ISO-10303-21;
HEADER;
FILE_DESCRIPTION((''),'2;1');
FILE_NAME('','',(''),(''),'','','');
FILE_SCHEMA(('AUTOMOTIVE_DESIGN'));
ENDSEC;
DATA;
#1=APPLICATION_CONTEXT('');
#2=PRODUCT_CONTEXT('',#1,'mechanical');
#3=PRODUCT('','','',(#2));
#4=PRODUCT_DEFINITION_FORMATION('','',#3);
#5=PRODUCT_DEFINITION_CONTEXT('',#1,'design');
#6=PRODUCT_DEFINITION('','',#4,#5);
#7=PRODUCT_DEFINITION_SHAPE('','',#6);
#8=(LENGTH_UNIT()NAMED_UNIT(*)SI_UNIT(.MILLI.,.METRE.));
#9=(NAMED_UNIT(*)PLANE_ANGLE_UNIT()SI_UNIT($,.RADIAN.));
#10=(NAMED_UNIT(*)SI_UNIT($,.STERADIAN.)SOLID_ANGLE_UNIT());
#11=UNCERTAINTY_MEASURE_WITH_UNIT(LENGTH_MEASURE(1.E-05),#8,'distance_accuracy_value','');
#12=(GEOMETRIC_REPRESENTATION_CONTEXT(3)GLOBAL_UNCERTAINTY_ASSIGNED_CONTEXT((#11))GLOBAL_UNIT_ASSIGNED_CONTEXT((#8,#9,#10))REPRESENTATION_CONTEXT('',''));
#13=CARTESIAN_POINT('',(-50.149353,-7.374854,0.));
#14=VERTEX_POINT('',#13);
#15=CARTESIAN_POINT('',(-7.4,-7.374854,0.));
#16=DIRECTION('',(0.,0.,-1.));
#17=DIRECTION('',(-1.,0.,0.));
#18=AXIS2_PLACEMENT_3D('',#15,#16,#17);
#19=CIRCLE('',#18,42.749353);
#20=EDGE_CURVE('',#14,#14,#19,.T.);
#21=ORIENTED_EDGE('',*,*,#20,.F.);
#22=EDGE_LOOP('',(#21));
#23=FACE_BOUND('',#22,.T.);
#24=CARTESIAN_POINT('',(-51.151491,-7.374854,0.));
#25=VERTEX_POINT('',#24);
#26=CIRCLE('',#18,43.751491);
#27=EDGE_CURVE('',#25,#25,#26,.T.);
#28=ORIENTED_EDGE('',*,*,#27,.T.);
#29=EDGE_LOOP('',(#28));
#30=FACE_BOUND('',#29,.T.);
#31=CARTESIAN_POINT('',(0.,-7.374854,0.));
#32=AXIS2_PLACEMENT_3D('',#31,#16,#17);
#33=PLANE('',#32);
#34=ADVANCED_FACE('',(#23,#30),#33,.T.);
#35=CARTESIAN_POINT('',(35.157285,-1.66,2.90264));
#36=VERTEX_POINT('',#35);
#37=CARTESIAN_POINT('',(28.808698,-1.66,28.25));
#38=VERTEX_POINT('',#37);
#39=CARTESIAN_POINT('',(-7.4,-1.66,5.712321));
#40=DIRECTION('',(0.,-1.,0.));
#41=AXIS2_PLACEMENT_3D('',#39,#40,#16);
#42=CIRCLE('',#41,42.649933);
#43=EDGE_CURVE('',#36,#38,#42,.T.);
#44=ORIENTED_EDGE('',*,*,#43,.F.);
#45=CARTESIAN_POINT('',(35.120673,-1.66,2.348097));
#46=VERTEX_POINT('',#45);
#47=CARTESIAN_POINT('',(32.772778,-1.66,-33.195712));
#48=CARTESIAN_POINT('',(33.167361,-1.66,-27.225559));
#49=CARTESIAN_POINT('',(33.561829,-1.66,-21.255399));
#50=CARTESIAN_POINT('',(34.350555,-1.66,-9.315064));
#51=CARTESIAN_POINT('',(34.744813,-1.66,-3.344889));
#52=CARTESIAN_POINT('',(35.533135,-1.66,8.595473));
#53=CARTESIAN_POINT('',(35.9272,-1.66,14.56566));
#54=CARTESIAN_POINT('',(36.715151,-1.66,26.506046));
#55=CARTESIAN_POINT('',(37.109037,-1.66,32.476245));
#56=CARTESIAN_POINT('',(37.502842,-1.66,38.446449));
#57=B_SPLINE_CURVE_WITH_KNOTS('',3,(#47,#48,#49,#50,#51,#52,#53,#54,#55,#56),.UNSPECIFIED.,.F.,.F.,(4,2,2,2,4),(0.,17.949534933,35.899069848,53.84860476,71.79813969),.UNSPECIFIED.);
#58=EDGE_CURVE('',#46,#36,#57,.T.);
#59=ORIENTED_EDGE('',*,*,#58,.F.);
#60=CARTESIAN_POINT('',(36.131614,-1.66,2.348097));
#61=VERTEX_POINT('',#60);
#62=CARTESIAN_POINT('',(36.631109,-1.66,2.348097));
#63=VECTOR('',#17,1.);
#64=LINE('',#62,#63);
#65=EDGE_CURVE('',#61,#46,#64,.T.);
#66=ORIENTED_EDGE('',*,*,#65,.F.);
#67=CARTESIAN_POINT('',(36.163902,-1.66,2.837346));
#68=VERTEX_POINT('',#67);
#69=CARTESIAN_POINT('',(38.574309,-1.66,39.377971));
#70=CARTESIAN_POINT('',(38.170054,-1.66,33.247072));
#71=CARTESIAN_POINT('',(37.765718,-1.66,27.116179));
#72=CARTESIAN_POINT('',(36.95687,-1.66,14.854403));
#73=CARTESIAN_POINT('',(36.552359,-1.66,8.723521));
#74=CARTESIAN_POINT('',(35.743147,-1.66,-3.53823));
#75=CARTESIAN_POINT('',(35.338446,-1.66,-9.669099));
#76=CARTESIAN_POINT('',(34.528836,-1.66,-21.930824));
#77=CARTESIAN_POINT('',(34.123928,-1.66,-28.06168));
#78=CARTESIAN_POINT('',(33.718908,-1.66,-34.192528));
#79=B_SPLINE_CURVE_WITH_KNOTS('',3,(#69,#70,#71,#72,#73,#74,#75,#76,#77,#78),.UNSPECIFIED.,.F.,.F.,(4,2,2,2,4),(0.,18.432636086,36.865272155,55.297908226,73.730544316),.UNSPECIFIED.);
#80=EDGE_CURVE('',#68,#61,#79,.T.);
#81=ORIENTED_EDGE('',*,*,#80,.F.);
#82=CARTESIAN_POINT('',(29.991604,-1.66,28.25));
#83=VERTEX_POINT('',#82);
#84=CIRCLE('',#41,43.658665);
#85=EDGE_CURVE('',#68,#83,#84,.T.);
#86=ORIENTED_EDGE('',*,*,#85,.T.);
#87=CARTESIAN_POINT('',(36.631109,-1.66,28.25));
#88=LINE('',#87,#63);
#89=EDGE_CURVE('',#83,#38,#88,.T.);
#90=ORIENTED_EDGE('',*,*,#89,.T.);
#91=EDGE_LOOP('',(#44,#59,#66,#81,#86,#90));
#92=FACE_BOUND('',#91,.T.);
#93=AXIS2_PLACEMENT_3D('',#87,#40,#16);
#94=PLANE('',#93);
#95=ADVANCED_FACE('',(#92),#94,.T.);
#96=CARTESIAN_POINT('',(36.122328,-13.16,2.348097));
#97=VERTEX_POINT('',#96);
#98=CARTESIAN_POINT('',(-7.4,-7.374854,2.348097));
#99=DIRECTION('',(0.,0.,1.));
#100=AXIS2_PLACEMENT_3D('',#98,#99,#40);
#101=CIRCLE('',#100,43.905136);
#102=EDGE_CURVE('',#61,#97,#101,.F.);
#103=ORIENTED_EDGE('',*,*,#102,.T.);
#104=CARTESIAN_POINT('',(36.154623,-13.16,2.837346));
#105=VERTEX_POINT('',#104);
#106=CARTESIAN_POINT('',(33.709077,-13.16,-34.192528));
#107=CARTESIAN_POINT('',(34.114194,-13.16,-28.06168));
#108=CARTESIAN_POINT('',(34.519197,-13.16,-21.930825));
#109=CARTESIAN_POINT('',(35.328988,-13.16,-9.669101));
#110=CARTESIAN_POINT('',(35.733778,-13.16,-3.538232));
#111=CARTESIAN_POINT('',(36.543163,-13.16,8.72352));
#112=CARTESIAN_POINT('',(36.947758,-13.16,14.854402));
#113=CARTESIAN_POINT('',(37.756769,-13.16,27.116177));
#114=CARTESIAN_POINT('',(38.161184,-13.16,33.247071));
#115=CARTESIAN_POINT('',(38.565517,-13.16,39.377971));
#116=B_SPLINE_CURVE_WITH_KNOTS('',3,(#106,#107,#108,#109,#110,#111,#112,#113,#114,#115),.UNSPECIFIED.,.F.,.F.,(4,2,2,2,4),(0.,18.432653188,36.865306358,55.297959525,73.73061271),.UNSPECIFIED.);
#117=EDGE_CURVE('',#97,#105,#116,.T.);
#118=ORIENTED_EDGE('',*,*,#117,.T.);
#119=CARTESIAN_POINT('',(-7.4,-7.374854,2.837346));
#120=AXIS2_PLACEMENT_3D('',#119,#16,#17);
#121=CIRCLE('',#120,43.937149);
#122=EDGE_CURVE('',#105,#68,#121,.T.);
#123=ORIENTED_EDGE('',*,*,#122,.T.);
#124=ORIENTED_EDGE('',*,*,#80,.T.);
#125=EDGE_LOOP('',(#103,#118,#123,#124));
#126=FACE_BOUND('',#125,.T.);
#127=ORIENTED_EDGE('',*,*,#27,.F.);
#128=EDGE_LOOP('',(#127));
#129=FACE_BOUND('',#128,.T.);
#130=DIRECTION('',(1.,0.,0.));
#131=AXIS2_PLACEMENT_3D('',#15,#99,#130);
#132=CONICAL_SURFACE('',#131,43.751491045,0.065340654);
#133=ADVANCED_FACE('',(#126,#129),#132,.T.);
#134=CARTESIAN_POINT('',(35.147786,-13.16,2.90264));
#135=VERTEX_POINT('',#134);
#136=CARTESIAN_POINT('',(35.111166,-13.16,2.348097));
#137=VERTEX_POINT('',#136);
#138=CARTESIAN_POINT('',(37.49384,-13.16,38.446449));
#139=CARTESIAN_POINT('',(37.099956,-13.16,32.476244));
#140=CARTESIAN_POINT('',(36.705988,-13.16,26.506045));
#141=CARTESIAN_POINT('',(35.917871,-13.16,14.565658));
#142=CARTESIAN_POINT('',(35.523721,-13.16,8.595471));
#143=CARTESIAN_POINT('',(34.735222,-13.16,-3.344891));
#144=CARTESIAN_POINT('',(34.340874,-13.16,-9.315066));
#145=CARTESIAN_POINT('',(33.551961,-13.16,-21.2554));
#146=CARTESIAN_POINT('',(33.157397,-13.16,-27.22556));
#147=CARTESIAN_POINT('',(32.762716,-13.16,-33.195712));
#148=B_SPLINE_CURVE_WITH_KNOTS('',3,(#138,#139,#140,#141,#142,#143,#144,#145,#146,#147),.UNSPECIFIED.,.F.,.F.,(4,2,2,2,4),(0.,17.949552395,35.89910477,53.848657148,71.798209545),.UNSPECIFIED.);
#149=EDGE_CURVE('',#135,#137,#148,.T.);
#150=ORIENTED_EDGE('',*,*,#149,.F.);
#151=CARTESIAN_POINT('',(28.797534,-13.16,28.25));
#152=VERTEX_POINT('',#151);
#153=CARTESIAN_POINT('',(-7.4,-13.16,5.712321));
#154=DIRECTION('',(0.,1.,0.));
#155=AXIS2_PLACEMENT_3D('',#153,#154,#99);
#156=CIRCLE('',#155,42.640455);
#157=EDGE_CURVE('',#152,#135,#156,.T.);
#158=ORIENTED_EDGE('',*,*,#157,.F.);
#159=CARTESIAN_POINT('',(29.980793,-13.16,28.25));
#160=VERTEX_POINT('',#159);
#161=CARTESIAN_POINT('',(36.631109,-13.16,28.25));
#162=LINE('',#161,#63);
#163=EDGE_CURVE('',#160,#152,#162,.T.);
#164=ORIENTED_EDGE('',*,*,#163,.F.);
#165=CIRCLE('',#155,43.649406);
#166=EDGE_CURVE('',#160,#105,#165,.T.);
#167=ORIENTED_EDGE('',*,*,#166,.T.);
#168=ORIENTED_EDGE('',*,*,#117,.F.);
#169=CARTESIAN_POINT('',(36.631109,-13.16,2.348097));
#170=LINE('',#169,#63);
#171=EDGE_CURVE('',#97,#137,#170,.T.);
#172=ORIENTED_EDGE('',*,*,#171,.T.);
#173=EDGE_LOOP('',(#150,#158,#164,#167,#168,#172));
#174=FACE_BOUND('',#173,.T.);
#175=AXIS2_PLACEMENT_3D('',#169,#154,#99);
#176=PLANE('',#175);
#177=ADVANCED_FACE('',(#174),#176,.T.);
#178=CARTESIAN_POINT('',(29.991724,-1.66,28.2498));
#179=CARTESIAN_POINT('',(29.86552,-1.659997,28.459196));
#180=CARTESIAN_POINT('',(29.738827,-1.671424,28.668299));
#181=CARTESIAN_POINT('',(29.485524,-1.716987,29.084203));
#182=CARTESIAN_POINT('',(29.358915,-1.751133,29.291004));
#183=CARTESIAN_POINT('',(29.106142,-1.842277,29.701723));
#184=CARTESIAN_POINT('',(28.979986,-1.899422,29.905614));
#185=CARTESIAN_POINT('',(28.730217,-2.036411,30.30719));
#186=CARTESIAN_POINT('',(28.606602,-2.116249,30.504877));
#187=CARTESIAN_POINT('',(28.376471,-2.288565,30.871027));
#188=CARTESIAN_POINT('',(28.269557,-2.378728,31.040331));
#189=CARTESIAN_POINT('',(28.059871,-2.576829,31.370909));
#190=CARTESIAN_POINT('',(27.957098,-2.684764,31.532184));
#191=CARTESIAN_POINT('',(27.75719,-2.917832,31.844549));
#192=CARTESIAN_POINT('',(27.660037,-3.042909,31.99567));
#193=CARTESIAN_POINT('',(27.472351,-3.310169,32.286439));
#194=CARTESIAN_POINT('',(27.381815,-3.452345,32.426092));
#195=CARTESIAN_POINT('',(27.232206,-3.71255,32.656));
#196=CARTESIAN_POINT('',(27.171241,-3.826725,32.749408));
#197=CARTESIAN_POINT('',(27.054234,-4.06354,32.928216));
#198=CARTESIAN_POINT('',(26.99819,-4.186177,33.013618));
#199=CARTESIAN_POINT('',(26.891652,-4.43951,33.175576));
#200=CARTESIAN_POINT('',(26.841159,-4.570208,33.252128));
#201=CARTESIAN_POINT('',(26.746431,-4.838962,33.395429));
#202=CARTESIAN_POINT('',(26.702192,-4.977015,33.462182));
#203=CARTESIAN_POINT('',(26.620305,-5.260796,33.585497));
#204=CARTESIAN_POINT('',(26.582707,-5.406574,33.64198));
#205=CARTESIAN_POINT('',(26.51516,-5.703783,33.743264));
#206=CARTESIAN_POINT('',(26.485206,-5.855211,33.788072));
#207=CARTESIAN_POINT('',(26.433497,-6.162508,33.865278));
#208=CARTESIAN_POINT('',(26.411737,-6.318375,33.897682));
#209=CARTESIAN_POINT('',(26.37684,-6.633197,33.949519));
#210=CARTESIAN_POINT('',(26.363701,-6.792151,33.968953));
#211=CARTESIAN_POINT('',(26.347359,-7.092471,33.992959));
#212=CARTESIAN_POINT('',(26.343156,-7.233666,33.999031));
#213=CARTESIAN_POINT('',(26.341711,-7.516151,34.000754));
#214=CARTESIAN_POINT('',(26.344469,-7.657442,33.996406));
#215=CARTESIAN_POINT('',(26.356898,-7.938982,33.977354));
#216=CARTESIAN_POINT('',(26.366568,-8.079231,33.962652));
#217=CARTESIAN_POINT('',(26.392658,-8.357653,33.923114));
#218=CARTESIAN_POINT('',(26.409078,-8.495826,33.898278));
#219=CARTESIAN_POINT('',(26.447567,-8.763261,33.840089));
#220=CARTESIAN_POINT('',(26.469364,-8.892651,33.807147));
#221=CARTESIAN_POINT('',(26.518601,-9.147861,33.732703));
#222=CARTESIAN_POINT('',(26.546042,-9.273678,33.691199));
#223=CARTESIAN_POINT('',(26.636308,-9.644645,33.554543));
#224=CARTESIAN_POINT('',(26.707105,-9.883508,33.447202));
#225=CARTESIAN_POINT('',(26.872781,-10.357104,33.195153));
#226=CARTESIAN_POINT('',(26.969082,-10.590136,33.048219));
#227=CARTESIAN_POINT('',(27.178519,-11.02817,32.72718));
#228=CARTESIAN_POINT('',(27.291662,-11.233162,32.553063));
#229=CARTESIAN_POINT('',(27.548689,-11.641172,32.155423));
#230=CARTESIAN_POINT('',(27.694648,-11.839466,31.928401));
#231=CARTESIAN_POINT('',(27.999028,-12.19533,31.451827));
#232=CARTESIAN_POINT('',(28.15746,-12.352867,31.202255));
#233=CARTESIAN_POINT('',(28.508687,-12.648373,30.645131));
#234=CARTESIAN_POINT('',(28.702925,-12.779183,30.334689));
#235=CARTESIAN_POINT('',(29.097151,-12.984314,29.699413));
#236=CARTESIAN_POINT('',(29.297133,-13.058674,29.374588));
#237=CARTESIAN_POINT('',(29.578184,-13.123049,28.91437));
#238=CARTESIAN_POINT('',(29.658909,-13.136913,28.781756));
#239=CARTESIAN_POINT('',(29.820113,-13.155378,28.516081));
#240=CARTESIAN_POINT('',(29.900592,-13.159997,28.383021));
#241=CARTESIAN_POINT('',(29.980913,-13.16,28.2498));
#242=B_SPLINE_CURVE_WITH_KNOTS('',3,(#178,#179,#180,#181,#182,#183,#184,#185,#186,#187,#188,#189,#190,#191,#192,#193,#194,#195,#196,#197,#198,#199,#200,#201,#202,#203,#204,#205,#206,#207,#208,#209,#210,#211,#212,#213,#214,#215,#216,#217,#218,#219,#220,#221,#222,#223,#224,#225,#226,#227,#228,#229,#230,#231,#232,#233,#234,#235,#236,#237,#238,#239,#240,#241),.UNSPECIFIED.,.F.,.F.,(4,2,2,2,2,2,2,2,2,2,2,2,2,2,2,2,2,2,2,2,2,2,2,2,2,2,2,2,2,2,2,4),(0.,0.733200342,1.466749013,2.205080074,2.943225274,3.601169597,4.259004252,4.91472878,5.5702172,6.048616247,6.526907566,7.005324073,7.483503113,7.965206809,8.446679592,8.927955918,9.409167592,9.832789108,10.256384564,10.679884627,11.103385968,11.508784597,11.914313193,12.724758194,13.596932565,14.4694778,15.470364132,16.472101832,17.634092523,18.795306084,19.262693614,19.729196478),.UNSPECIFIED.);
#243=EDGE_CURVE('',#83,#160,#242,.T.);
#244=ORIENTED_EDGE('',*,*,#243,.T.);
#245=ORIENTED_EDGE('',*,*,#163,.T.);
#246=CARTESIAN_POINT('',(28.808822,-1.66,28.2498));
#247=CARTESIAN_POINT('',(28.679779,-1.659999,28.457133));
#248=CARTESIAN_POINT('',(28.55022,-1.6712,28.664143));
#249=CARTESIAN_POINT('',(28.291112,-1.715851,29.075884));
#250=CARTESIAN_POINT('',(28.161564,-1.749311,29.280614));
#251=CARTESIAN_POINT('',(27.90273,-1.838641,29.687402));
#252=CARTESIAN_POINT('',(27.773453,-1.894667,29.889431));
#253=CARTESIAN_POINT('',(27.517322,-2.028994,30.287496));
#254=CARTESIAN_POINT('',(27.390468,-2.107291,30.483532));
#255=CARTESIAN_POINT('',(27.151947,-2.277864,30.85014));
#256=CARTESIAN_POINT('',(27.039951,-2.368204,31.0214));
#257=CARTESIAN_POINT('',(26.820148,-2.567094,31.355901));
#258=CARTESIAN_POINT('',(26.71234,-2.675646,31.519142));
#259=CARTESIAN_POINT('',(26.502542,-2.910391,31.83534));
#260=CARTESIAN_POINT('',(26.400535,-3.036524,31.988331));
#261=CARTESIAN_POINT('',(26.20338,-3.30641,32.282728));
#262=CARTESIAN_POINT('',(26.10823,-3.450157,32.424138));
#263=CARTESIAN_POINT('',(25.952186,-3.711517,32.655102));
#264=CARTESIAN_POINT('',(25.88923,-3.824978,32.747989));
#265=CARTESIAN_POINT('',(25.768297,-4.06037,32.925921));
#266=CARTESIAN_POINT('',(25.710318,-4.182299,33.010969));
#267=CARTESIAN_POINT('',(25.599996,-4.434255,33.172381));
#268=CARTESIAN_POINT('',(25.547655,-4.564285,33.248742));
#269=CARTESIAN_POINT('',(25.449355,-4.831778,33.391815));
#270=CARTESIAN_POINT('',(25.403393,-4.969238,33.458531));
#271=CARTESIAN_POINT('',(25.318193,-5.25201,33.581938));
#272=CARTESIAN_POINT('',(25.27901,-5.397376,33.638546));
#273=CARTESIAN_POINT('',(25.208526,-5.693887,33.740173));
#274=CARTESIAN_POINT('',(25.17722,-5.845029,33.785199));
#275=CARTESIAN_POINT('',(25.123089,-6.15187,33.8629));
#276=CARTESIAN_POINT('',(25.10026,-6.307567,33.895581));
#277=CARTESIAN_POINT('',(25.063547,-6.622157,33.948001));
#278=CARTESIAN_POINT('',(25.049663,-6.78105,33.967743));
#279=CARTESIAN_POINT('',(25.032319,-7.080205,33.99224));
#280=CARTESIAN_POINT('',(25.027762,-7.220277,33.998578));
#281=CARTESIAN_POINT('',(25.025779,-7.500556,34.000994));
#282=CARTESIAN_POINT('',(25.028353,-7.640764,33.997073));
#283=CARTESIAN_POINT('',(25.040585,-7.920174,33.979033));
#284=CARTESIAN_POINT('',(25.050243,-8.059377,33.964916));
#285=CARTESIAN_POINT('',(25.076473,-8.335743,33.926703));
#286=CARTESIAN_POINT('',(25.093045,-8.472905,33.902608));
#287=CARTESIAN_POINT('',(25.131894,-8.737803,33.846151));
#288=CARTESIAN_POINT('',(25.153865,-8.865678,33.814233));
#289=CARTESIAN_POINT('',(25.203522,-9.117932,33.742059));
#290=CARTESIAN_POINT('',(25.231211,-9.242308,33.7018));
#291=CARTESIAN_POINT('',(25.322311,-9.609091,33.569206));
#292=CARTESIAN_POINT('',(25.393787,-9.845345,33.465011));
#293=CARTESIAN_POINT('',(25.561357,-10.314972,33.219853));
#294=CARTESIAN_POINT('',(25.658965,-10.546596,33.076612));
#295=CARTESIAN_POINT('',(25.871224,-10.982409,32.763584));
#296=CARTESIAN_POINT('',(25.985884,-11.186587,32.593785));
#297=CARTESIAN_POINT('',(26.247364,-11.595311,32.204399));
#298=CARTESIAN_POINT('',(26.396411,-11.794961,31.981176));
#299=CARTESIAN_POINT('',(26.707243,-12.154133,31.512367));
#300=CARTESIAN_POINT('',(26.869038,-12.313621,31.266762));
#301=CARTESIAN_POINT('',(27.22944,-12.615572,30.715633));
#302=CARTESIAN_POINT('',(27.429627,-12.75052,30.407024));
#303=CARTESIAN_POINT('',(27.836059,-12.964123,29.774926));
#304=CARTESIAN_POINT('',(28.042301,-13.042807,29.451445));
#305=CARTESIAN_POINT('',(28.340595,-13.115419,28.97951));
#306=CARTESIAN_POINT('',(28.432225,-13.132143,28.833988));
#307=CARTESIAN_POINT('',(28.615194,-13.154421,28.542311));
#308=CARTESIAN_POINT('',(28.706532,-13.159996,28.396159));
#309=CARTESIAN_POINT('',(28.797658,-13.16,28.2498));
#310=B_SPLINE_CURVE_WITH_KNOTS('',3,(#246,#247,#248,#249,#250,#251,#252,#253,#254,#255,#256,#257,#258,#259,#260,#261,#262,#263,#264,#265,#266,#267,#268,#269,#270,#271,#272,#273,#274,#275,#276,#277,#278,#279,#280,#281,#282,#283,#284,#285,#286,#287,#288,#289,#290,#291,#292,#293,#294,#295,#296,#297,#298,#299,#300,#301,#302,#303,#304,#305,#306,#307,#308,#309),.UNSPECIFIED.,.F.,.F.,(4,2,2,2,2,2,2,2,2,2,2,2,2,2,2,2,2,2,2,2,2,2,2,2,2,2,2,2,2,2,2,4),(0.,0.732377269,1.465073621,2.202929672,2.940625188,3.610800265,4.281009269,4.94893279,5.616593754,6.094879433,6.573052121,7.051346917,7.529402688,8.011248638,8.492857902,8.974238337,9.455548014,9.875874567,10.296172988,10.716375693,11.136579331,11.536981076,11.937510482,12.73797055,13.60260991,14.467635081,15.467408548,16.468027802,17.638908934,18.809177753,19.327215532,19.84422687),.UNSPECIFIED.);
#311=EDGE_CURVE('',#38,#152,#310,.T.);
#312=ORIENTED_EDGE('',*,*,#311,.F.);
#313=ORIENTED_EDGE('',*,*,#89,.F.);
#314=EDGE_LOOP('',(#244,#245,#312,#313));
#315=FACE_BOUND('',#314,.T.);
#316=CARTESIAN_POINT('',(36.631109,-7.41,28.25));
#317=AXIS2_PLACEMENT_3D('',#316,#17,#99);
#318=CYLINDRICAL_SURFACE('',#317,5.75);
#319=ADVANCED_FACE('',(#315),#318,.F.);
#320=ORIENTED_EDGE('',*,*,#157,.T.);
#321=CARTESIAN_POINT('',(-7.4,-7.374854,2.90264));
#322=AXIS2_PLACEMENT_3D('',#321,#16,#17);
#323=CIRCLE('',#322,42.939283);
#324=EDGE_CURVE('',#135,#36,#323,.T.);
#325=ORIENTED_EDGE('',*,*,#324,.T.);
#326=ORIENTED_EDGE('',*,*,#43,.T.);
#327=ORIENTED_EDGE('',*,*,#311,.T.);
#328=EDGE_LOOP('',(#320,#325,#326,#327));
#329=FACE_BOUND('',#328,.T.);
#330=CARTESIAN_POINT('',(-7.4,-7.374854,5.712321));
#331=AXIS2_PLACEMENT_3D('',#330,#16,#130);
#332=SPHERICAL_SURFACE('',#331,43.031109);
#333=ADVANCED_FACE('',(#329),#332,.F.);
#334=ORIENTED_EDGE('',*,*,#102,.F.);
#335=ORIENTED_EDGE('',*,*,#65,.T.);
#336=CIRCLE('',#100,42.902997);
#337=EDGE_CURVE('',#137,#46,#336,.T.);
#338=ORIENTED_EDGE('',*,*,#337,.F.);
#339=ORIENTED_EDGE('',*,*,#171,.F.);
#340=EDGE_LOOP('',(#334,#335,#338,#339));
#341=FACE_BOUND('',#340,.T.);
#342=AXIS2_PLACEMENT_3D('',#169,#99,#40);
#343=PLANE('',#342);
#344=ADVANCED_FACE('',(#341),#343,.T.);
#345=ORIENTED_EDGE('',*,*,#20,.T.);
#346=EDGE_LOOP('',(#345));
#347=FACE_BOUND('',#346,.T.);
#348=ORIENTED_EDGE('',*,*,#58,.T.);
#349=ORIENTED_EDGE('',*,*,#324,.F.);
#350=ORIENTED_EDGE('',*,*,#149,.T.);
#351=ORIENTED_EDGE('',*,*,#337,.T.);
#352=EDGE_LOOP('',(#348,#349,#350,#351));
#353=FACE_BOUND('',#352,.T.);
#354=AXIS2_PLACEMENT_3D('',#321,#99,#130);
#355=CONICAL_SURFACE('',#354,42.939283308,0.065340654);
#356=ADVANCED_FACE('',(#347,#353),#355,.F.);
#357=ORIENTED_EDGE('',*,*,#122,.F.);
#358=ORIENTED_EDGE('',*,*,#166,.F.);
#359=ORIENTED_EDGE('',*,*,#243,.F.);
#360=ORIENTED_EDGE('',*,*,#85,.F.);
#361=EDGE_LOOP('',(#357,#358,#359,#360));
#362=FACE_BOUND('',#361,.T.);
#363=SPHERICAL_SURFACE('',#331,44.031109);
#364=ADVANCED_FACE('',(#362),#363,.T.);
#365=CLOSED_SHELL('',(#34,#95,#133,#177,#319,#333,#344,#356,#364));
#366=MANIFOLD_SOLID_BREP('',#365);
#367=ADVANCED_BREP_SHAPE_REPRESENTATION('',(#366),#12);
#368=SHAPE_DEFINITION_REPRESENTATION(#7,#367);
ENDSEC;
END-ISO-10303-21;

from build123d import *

# Parameters (mm, degrees)
CUT_EXTRUDE1_DEPTH = 37.631109163


with BuildPart() as part:
    # Sketch2 → Revolve1 (revolve)
    with BuildSketch(Plane(origin=(0, -7.374853929, -7.41), x_dir=(-1, 0, 0), z_dir=(0, -1, 0))):
        with BuildLine():
            Line((50.149352541, -7.41), (50.339283308, -10.312639962))
            ThreePointArc((50.339283308, -10.312639962), (38.805254547, -42.539770141), (7.4, -56.153429675))
            Line((7.4, -56.153429675), (7.4, -57.153429675))
            ThreePointArc((7.4, -57.153429675), (39.535081297, -43.22340229), (51.337149367, -10.247345792))
            Line((51.337149367, -10.247345792), (51.151491045, -7.41))
            Line((51.151491045, -7.41), (50.149352541, -7.41))
        make_face()
    revolve(axis=Axis((-7.4, -7.374853929, -2), (0, 0, 1)))

    # Sketch3 → Cut-Extrude1 (cut, through all)
    with BuildSketch(Plane(origin=(0, 0, 0), x_dir=(0, 0, -1), z_dir=(1, 0, 0))):
        with BuildLine():
            Line((-2.348097087, -13.16), (-28.25, -13.16))
            ThreePointArc((-28.25, -13.16), (-34, -7.41), (-28.25, -1.66))
            Line((-28.25, -1.66), (-2.348097087, -1.66))
            Line((-2.348097087, -1.66), (-2.348097087, -13.16))
        make_face()
    extrude(amount=CUT_EXTRUDE1_DEPTH, mode=Mode.SUBTRACT)


solid = part.part
